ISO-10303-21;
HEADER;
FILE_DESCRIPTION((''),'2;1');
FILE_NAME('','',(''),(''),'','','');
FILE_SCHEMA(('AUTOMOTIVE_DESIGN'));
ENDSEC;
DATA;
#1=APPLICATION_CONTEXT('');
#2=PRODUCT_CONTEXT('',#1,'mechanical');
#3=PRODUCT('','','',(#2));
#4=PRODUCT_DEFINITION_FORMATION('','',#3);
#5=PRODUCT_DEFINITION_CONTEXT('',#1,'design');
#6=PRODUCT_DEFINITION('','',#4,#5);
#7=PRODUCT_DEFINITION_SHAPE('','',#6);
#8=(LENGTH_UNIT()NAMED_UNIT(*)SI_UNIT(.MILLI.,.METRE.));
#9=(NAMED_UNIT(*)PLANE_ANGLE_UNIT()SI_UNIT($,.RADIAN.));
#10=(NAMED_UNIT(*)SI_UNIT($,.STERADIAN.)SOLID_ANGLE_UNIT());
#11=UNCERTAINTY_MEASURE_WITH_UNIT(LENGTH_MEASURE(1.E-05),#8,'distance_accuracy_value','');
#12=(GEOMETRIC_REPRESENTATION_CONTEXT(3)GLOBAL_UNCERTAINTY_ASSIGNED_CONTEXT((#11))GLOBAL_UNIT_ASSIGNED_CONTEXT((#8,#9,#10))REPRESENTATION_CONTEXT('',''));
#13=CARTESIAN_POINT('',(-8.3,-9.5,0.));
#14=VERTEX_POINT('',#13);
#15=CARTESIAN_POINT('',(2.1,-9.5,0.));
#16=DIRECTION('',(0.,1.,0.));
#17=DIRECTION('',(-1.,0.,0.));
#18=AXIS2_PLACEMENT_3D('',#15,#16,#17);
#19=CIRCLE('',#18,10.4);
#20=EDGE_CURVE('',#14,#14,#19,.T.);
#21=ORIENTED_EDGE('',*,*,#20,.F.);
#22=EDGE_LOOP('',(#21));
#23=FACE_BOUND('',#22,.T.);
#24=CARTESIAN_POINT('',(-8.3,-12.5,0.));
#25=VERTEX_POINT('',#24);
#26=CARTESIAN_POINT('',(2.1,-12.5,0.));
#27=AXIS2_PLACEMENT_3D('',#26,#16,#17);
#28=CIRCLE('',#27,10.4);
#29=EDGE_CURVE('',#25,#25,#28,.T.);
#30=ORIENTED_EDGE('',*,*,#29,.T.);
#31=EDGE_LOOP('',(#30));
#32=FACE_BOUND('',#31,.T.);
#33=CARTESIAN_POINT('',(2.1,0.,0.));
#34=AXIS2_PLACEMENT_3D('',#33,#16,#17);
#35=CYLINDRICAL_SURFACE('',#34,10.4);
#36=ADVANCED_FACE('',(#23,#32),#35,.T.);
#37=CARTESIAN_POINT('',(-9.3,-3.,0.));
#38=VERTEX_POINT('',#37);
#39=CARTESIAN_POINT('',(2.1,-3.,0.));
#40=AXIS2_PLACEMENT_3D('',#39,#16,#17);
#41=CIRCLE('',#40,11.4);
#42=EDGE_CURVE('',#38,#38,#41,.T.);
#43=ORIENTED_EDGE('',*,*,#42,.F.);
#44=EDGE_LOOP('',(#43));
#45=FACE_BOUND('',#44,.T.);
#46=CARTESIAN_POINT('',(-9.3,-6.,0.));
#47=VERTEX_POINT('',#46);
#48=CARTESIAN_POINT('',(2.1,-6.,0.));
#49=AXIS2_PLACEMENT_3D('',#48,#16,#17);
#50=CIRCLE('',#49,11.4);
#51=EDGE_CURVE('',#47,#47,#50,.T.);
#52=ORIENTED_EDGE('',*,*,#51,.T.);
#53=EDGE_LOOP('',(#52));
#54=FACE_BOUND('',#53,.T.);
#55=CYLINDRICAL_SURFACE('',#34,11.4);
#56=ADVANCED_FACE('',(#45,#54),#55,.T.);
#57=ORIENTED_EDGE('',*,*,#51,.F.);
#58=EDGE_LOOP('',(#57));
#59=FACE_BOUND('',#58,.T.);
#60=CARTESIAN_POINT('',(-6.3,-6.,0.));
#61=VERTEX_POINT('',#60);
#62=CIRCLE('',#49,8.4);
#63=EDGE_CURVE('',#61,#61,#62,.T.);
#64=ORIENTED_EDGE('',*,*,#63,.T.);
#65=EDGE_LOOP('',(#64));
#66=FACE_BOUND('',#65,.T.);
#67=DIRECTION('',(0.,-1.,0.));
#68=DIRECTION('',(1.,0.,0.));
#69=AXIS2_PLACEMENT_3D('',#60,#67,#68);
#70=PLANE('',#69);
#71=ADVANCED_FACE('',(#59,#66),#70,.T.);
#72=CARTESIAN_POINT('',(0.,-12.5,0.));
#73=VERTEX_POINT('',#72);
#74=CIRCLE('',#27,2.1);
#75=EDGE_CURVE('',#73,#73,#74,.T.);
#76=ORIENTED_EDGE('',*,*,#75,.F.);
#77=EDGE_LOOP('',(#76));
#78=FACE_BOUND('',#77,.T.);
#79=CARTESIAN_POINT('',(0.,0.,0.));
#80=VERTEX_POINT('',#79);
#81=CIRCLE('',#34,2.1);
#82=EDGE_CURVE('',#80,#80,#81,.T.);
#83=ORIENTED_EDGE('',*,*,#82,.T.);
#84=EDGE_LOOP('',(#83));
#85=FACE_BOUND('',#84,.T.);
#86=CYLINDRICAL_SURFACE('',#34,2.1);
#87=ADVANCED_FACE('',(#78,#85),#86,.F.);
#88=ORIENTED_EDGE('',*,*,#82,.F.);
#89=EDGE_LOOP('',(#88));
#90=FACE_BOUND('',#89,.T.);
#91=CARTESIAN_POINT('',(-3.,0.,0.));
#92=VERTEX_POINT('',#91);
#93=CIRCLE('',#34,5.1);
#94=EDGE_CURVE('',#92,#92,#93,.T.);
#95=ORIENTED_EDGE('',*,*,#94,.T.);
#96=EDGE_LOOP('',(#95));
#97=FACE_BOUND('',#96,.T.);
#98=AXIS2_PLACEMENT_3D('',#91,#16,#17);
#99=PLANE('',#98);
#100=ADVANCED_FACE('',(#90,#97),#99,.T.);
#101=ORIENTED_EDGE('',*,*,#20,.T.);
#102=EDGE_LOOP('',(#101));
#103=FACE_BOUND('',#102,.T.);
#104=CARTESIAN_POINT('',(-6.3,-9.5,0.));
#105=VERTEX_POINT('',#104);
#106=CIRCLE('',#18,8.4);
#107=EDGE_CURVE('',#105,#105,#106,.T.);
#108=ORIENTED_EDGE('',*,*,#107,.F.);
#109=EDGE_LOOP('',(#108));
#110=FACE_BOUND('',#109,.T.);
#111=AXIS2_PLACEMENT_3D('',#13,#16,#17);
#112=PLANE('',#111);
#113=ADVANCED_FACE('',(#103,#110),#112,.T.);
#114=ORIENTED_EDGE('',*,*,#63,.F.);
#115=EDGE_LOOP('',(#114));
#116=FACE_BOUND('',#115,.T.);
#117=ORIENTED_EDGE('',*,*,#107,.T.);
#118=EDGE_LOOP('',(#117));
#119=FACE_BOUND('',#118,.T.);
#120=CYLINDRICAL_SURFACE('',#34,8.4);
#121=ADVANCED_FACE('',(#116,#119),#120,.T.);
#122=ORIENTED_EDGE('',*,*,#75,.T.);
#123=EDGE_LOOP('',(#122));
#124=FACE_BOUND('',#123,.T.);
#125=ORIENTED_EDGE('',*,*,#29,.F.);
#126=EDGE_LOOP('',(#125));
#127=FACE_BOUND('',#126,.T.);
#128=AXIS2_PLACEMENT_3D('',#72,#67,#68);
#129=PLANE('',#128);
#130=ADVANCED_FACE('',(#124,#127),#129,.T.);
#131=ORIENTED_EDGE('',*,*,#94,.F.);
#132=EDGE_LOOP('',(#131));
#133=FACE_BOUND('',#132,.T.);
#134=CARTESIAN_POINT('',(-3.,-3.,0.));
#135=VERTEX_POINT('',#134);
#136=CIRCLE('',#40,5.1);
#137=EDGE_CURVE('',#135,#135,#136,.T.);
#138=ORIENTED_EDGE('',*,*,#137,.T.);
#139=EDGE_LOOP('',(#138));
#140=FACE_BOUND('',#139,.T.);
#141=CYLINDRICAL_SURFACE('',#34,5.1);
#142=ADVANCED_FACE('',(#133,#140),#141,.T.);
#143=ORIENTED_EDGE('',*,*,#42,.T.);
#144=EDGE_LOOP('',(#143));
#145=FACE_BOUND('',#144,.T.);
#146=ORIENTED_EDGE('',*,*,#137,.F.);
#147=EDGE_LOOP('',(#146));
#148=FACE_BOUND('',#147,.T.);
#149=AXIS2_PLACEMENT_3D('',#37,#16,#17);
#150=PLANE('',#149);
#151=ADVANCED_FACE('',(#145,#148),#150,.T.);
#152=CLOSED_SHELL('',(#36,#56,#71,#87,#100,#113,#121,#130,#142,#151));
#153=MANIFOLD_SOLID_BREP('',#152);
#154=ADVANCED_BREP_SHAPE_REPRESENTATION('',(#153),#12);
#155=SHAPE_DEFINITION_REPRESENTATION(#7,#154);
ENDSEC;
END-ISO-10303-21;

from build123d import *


with BuildPart() as part:
    # Esquisse1 → Révolution1 (revolve)
    with BuildSketch(Plane.XY):
        Polygon((0, 0), (0, -12.5), (-8.3, -12.5), (-8.3, -9.5), (-6.3, -9.5), (-6.3, -6), (-9.3, -6), (-9.3, -3), (-3, -3), (-3, 0), align=None)
    revolve(axis=Axis((2.1, 0, 0), (0, -1, 0)))


solid = part.part
